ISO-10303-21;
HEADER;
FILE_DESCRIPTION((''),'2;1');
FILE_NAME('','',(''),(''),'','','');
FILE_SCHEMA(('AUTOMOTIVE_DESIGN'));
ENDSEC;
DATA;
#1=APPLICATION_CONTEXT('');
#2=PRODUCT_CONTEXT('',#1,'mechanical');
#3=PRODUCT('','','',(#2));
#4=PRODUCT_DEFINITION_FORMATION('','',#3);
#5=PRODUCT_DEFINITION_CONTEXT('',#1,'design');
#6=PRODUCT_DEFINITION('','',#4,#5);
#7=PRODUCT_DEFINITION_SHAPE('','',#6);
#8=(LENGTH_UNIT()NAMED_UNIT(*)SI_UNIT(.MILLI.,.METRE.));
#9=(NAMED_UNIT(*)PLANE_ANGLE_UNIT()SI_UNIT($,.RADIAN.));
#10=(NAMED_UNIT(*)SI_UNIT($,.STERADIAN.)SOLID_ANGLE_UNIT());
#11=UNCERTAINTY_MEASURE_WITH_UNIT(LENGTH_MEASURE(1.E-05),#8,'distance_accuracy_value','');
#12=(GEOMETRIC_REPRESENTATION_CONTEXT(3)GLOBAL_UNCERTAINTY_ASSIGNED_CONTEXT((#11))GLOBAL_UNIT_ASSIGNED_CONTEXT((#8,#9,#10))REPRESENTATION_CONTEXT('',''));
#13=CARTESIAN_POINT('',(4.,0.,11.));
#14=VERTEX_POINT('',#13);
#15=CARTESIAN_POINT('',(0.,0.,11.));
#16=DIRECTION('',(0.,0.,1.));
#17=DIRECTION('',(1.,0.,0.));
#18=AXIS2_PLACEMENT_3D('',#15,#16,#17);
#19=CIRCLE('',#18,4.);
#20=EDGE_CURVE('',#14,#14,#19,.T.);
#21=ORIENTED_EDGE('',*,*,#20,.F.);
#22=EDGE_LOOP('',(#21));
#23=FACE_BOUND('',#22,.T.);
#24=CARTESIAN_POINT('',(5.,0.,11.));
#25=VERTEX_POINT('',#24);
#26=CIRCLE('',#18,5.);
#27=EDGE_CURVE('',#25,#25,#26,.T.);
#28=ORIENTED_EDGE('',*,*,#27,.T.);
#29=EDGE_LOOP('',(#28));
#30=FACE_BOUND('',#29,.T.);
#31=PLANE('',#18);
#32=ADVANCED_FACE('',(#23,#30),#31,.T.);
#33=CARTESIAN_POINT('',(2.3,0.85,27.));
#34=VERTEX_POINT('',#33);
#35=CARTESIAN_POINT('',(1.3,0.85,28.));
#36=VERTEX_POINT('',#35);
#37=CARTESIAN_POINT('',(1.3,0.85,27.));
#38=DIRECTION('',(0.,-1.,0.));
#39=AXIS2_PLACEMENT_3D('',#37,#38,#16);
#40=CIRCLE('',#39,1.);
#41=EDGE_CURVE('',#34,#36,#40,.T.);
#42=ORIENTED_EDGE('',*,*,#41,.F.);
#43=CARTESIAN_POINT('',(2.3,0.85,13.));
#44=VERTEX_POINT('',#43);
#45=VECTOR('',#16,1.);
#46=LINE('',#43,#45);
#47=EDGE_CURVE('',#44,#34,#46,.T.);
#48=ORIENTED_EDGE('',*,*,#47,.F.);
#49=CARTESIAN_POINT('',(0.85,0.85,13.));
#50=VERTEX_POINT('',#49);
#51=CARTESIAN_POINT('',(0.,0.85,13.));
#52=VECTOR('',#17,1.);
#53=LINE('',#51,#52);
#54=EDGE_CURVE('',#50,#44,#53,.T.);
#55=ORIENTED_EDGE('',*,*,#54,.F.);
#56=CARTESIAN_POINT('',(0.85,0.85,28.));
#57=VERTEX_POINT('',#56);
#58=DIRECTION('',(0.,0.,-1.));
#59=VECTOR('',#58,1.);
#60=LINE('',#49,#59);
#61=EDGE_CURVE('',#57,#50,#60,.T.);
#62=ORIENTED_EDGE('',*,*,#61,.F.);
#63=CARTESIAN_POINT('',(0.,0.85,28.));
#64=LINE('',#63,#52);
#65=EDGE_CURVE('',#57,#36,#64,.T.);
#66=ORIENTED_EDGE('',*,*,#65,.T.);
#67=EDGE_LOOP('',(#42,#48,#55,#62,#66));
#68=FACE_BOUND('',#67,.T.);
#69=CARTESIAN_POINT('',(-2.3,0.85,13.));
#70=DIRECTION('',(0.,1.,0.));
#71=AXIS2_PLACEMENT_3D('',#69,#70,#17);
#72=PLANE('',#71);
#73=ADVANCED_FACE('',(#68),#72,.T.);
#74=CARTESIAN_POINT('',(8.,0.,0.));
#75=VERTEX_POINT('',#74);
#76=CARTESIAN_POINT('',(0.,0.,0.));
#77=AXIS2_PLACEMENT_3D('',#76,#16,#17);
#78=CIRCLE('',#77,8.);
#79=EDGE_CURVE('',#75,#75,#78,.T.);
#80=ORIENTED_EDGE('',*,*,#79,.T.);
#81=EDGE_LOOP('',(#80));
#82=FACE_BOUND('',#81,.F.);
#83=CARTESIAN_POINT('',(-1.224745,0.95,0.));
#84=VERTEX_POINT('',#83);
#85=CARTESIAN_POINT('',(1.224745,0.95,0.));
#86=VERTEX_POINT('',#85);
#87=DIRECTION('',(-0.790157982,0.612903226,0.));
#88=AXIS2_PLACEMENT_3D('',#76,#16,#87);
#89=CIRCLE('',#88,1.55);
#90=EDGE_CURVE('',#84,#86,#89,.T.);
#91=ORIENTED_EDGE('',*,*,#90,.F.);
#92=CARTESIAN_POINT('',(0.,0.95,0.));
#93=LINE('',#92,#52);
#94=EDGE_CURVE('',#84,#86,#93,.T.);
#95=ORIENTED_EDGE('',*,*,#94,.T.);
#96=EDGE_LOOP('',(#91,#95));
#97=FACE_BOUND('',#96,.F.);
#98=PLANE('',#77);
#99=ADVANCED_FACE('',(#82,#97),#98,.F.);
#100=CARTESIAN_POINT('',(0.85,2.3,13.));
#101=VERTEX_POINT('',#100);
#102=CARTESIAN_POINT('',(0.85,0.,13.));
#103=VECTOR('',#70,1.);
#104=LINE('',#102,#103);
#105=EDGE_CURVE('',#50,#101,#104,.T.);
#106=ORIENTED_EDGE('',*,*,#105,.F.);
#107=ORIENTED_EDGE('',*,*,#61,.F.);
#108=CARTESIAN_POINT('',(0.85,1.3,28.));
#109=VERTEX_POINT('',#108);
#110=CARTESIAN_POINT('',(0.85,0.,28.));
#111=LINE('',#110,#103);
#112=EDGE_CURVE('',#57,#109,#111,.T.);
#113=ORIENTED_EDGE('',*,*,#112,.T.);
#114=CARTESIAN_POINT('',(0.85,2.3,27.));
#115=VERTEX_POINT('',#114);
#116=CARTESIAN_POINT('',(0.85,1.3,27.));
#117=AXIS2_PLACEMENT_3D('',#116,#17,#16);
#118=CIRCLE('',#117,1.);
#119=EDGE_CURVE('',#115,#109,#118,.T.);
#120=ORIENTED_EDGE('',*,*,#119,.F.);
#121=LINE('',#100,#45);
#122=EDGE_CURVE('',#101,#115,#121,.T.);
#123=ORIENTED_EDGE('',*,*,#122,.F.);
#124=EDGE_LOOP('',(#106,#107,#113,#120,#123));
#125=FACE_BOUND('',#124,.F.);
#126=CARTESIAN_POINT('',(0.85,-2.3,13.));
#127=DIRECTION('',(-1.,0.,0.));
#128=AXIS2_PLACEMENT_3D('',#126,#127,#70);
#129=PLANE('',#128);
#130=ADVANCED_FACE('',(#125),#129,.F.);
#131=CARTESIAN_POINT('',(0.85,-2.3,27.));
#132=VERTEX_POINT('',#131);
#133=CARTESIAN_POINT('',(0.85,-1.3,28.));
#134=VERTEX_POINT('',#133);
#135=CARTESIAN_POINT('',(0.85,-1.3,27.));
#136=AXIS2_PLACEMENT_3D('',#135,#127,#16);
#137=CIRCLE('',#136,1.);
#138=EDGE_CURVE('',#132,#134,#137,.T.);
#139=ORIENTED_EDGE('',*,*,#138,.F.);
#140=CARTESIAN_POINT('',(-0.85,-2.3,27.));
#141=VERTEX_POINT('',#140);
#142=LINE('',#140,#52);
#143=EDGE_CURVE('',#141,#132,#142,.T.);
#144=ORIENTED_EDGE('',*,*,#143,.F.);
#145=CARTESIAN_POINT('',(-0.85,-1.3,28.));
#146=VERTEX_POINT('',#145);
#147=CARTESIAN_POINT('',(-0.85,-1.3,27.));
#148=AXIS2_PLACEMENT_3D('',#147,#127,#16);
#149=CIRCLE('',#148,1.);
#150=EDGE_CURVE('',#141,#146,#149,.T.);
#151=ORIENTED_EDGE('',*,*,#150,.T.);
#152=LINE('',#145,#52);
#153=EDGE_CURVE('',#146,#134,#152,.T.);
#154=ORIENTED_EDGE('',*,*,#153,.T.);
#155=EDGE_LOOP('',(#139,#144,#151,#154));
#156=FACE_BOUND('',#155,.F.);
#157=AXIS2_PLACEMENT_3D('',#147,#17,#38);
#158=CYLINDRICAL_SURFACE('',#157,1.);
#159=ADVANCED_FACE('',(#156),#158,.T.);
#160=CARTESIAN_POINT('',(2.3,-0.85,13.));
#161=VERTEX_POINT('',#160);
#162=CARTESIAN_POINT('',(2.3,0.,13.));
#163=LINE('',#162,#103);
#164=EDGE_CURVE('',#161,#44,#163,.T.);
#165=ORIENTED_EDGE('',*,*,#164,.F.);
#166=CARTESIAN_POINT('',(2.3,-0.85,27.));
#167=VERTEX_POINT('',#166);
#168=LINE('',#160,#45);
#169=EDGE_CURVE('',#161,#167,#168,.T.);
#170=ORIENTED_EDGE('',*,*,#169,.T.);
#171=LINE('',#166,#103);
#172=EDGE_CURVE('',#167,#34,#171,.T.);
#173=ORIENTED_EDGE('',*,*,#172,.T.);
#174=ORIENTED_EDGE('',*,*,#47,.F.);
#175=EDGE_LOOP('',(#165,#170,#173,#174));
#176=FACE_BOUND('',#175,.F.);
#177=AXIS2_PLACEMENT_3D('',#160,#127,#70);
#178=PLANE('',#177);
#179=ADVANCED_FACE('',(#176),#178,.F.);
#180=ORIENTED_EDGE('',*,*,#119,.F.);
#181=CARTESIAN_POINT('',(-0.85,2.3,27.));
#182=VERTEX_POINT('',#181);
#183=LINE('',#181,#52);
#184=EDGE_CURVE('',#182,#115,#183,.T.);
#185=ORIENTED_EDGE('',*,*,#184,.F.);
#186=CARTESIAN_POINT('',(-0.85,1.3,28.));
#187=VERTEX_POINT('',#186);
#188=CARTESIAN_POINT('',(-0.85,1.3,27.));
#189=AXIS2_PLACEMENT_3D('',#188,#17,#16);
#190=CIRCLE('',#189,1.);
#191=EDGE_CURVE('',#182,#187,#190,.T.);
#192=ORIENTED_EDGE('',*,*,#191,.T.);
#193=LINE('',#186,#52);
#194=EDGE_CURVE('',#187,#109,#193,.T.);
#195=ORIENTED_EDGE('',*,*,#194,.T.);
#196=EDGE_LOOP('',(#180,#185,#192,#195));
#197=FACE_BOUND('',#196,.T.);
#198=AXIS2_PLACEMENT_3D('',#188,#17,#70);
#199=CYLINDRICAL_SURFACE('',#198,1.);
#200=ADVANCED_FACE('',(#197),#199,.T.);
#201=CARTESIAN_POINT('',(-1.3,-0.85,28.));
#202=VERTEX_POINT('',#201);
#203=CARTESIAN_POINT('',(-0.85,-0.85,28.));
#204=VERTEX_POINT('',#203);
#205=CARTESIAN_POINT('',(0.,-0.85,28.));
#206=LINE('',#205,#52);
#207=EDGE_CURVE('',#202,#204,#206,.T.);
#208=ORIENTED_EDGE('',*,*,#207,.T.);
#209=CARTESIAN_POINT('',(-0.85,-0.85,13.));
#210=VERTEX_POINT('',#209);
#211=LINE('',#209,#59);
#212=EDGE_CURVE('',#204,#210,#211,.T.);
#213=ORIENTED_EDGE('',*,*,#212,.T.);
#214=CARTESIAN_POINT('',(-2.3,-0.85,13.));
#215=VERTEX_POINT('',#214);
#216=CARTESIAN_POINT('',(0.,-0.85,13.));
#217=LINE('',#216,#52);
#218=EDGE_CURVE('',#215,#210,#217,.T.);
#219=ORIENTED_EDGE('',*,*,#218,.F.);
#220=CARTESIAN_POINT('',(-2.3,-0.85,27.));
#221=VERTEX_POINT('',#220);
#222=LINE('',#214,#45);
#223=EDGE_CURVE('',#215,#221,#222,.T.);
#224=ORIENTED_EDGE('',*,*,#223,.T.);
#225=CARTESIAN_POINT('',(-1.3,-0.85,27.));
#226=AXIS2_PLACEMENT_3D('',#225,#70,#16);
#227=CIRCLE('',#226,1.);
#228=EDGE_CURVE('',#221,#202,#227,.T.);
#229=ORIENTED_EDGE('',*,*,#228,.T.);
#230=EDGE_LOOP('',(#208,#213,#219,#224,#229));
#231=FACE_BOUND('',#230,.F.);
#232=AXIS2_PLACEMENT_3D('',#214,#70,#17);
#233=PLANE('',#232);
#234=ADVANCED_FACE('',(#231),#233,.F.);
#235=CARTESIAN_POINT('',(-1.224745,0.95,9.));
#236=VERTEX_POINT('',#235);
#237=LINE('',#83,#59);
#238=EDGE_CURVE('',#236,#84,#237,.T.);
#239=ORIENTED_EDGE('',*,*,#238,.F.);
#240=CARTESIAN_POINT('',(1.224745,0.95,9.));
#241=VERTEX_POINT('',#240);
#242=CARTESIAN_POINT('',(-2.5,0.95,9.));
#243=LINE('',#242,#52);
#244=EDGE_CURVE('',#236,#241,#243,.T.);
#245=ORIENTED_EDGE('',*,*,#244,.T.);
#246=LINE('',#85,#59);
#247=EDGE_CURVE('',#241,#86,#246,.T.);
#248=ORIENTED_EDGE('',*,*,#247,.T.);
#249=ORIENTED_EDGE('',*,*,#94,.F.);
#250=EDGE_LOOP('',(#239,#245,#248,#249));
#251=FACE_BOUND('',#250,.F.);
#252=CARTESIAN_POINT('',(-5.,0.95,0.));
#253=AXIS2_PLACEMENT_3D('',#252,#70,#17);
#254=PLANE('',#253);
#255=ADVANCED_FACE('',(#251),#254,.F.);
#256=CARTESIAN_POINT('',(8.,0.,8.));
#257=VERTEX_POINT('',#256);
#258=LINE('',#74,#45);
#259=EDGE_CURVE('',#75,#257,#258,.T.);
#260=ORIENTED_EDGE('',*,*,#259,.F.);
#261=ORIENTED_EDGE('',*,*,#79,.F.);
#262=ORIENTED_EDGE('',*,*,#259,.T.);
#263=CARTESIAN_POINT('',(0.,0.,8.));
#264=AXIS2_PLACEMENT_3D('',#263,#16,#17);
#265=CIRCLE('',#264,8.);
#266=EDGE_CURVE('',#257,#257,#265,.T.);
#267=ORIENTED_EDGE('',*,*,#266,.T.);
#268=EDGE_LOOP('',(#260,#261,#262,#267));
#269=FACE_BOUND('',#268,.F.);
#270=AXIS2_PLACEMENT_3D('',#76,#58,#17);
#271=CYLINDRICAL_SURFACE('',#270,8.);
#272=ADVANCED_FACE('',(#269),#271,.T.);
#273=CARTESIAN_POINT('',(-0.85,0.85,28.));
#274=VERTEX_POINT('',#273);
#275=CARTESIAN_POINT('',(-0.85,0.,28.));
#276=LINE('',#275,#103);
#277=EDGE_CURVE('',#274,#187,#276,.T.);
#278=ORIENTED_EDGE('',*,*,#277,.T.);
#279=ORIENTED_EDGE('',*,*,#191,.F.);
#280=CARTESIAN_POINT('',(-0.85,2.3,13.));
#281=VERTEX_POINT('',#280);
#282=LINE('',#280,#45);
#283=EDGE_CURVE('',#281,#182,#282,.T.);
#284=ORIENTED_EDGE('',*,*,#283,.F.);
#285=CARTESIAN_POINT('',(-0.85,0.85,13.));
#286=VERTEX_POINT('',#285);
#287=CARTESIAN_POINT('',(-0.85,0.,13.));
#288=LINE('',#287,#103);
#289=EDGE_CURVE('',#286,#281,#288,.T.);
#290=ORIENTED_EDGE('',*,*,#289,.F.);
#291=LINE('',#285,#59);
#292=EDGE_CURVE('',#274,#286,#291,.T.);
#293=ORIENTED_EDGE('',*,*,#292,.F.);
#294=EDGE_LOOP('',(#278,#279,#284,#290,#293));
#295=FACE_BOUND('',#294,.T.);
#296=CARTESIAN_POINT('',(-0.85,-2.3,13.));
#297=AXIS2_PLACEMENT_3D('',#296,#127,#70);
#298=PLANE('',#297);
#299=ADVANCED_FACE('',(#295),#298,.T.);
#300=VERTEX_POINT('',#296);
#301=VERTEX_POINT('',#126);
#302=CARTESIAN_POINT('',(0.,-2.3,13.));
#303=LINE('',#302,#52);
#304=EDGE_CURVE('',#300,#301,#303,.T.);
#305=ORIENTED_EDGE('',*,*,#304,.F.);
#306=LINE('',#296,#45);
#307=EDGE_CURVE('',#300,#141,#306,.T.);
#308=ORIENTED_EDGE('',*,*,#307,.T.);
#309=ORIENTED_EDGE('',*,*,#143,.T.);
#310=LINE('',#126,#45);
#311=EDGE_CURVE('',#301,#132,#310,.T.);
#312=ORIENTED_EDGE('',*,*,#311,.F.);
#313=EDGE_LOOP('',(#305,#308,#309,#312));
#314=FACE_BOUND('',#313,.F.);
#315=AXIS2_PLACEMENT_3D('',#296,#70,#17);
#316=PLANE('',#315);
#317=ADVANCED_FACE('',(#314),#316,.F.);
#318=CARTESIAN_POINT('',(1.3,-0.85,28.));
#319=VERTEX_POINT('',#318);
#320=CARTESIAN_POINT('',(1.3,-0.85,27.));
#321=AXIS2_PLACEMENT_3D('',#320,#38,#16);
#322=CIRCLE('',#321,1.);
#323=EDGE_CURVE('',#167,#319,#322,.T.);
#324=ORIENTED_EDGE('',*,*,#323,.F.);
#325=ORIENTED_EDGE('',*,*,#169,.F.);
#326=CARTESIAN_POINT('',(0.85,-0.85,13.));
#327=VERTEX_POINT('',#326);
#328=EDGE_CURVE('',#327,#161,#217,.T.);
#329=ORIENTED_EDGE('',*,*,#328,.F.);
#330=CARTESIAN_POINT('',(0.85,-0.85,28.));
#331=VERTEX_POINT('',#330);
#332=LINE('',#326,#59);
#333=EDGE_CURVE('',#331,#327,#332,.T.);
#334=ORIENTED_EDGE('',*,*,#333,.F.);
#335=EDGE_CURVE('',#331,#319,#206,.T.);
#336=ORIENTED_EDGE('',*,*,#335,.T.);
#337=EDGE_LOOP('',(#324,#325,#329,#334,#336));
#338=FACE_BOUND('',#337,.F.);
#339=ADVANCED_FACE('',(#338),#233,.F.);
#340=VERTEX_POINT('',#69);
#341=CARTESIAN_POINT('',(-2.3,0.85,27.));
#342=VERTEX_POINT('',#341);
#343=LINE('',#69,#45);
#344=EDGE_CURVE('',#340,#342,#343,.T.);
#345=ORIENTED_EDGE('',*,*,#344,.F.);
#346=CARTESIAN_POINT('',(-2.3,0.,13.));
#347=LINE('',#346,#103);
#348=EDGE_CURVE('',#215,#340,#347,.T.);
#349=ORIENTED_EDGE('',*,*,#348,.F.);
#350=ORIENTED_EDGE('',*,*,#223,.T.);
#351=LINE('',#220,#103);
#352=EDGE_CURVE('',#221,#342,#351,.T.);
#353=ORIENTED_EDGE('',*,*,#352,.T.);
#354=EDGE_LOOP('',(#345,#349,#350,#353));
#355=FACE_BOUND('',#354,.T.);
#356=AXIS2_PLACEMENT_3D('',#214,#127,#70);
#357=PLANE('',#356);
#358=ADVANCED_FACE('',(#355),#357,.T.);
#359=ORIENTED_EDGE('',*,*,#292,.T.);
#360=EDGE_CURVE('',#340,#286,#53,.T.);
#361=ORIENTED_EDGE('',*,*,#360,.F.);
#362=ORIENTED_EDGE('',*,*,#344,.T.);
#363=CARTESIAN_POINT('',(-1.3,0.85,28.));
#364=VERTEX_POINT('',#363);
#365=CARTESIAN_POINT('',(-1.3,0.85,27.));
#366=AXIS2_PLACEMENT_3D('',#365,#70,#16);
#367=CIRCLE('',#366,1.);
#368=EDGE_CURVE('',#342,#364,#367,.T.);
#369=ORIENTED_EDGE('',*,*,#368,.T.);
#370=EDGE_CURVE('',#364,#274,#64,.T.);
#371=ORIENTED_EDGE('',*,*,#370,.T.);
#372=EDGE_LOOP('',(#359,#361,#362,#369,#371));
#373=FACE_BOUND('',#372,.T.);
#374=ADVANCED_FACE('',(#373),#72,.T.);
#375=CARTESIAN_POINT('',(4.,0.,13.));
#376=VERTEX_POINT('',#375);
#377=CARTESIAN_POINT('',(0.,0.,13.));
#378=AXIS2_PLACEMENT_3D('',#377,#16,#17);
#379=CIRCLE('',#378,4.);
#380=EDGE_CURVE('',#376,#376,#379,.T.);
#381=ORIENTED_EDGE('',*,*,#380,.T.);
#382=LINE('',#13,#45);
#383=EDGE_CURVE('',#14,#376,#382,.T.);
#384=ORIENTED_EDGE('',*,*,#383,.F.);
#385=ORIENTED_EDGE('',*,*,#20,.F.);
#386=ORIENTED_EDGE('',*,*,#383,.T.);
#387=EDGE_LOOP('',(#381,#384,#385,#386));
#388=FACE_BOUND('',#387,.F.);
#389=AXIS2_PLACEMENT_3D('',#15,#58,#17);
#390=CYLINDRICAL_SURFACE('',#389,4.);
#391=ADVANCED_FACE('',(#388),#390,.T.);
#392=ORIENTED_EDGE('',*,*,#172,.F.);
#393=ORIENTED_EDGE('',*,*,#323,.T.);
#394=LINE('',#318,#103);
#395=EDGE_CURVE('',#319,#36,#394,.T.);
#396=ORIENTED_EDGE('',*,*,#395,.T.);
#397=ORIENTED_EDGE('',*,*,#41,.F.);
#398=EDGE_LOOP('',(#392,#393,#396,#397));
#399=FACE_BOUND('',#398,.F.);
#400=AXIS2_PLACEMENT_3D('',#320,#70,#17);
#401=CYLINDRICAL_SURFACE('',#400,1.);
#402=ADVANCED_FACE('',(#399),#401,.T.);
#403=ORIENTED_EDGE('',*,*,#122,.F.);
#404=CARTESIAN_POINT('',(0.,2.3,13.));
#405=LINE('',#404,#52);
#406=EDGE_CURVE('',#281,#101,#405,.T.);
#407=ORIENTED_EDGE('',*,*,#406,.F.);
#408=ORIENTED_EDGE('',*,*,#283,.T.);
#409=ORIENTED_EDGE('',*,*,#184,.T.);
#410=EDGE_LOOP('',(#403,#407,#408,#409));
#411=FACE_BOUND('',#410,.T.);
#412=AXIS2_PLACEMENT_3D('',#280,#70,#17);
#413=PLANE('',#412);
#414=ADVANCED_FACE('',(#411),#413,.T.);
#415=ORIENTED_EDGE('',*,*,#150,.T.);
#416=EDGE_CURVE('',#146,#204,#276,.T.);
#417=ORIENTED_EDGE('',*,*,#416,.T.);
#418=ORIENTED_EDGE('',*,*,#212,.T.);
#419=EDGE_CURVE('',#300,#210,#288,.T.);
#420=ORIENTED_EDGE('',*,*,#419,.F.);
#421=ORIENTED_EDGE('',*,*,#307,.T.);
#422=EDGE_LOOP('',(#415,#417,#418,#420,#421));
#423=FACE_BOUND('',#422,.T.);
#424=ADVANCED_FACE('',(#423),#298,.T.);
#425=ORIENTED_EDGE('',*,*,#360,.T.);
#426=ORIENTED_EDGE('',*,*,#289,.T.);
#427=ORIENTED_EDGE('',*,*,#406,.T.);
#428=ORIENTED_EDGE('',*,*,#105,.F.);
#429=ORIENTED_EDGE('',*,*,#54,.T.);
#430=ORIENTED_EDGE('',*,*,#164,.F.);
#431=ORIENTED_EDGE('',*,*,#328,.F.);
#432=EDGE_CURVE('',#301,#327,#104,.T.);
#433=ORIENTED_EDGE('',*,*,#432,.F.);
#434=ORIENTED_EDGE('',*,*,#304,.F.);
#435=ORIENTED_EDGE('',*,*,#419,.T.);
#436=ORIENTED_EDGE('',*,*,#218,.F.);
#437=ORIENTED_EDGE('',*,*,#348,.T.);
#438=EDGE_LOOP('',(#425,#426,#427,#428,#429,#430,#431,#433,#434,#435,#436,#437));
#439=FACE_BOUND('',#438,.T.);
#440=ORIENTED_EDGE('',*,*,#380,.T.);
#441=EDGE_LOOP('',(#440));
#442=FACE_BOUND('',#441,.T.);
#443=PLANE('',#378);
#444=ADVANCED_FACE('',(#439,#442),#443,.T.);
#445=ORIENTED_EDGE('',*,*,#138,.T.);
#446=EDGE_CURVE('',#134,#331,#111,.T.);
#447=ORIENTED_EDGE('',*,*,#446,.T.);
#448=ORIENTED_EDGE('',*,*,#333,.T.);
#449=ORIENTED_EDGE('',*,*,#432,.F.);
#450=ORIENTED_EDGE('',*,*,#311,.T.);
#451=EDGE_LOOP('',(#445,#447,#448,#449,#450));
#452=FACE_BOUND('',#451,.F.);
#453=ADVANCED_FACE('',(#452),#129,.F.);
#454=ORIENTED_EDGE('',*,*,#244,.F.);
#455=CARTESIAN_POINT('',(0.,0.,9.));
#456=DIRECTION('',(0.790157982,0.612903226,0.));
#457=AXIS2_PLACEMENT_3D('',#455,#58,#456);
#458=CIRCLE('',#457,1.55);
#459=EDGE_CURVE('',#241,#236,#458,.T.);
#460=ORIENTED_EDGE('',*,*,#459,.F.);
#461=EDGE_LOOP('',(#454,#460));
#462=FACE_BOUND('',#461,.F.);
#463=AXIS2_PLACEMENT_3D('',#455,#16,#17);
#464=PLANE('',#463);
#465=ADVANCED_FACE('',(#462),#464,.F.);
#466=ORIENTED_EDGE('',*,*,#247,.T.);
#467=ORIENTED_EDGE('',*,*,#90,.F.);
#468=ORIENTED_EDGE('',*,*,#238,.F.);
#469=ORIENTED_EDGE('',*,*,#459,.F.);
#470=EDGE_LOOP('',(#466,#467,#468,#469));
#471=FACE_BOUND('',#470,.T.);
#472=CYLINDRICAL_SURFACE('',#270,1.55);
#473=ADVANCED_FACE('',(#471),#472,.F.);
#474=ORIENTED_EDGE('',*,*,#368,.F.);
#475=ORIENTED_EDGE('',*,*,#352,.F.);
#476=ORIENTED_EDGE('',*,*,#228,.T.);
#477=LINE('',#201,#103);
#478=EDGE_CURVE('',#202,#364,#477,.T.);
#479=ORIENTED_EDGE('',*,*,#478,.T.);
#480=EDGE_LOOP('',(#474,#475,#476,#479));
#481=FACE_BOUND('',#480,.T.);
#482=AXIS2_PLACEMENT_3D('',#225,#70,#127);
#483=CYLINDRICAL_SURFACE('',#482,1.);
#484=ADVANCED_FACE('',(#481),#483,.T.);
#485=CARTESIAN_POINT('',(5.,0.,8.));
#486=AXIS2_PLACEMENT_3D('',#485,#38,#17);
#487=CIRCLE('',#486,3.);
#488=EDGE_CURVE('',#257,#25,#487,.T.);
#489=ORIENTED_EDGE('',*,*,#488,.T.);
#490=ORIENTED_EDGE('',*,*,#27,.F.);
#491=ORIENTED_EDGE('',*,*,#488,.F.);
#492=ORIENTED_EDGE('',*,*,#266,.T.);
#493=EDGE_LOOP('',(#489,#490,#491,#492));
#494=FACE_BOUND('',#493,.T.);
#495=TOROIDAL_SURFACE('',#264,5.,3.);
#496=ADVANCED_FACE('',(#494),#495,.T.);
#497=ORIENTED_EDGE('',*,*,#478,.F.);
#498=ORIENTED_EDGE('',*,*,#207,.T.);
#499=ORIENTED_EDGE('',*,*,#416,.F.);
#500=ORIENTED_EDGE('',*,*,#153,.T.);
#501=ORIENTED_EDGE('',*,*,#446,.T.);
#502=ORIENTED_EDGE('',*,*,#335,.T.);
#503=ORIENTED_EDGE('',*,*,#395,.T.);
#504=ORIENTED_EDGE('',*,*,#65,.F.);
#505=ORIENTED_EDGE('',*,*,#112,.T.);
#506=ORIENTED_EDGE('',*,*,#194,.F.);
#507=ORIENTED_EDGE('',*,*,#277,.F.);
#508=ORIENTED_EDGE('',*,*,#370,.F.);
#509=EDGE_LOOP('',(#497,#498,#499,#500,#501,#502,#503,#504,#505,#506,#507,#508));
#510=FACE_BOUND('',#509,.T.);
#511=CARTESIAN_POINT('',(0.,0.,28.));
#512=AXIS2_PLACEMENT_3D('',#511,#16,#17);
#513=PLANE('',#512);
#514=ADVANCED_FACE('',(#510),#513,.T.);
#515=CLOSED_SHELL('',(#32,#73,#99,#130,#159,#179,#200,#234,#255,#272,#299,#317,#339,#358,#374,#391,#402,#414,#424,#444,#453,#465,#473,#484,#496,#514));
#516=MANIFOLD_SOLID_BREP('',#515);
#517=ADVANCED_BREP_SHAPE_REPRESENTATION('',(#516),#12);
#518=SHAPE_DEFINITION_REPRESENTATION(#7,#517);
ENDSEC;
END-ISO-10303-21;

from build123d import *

# Parameters (mm, degrees)
CYLINDER002_R     = 4
CYLINDER002_DEPTH = 2
CYLINDER001_R     = 1.55
CYLINDER001_DEPTH = 9
BOX_W             = 10
BOX_H             = 2.5
BOX_DEPTH         = 11
CYLINDER_R        = 8
CYLINDER_DEPTH    = 11
FILLET002_R       = 3
BOX002_W          = 4.6
BOX002_H          = 1.7
BOX002_DEPTH      = 15
FILLET001_R       = 1
BOX001_W          = 1.7
BOX001_H          = 4.6
BOX001_DEPTH      = 15
FILLET_R          = 1


with BuildPart() as cilindro002:
    # Cylinder002 → Cylinder002 (new body)
    with BuildSketch(Plane.XY.offset(11)):
        Circle(CYLINDER002_R)
    extrude(amount=CYLINDER002_DEPTH)


with BuildPart() as cilindro001:
    # Cylinder001 → Cylinder001 (new body)
    with BuildSketch(Plane.XY):
        Circle(CYLINDER001_R)
    extrude(amount=CYLINDER001_DEPTH)


with BuildPart() as taladro:
    # Box → Box (new body)
    with BuildSketch(Plane(origin=(-5, -1.55, 0), x_dir=(1, 0, 0), z_dir=(0, 0, 1))):
        with Locations((5, 1.25)):
            Rectangle(BOX_W, BOX_H)
    extrude(amount=BOX_DEPTH)

    # Common: intersect Cilindro001
    add(cilindro001.part, mode=Mode.INTERSECT)


with BuildPart() as fillet002:
    # Cylinder → Cylinder (new body)
    with BuildSketch(Plane.XY):
        Circle(CYLINDER_R)
    extrude(amount=CYLINDER_DEPTH)

    # Cut: cut Taladro
    add(taladro.part, mode=Mode.SUBTRACT)

    # Fillet002
    fillet002_edges = [fillet002.edges().sort_by_distance(p)[0] for p in [
        (-8, 0, 11),
    ]]
    fillet(fillet002_edges, radius=FILLET002_R)


with BuildPart() as fillet001:
    # Box002 → Box002 (new body)
    with BuildSketch(Plane(origin=(-2.3, -0.85, 22), x_dir=(1, 0, 0), z_dir=(0, 0, 1))):
        with Locations((2.3, 0.85)):
            Rectangle(BOX002_W, BOX002_H)
    extrude(amount=BOX002_DEPTH)

    # Fillet001
    fillet001_edges = [fillet001.edges().sort_by_distance(p)[0] for p in [
        (-2.3, 0, 37),
        (2.3, 0, 37),
    ]]
    fillet(fillet001_edges, radius=FILLET001_R)


with BuildPart() as eje_rueda_motor:
    # Box001 → Box001 (new body)
    with BuildSketch(Plane(origin=(-0.85, -2.3, 22), x_dir=(1, 0, 0), z_dir=(0, 0, 1))):
        with Locations((0.85, 2.3)):
            Rectangle(BOX001_W, BOX001_H)
    extrude(amount=BOX001_DEPTH)

    # Fillet
    fillet_edges = [eje_rueda_motor.edges().sort_by_distance(p)[0] for p in [
        (0, -2.3, 37),
        (0, 2.3, 37),
    ]]
    fillet(fillet_edges, radius=FILLET_R)

    # Fusion: union Fillet001
    add(fillet001.part)


with BuildPart() as eje_rueda_motor_1:
    # Fusion placement: moved
    add(eje_rueda_motor.part.moved(Location((0, 0, -9))))

    # Fusion001: union Cilindro002, Fillet002
    add(cilindro002.part)
    add(fillet002.part)


solid = eje_rueda_motor_1.part
